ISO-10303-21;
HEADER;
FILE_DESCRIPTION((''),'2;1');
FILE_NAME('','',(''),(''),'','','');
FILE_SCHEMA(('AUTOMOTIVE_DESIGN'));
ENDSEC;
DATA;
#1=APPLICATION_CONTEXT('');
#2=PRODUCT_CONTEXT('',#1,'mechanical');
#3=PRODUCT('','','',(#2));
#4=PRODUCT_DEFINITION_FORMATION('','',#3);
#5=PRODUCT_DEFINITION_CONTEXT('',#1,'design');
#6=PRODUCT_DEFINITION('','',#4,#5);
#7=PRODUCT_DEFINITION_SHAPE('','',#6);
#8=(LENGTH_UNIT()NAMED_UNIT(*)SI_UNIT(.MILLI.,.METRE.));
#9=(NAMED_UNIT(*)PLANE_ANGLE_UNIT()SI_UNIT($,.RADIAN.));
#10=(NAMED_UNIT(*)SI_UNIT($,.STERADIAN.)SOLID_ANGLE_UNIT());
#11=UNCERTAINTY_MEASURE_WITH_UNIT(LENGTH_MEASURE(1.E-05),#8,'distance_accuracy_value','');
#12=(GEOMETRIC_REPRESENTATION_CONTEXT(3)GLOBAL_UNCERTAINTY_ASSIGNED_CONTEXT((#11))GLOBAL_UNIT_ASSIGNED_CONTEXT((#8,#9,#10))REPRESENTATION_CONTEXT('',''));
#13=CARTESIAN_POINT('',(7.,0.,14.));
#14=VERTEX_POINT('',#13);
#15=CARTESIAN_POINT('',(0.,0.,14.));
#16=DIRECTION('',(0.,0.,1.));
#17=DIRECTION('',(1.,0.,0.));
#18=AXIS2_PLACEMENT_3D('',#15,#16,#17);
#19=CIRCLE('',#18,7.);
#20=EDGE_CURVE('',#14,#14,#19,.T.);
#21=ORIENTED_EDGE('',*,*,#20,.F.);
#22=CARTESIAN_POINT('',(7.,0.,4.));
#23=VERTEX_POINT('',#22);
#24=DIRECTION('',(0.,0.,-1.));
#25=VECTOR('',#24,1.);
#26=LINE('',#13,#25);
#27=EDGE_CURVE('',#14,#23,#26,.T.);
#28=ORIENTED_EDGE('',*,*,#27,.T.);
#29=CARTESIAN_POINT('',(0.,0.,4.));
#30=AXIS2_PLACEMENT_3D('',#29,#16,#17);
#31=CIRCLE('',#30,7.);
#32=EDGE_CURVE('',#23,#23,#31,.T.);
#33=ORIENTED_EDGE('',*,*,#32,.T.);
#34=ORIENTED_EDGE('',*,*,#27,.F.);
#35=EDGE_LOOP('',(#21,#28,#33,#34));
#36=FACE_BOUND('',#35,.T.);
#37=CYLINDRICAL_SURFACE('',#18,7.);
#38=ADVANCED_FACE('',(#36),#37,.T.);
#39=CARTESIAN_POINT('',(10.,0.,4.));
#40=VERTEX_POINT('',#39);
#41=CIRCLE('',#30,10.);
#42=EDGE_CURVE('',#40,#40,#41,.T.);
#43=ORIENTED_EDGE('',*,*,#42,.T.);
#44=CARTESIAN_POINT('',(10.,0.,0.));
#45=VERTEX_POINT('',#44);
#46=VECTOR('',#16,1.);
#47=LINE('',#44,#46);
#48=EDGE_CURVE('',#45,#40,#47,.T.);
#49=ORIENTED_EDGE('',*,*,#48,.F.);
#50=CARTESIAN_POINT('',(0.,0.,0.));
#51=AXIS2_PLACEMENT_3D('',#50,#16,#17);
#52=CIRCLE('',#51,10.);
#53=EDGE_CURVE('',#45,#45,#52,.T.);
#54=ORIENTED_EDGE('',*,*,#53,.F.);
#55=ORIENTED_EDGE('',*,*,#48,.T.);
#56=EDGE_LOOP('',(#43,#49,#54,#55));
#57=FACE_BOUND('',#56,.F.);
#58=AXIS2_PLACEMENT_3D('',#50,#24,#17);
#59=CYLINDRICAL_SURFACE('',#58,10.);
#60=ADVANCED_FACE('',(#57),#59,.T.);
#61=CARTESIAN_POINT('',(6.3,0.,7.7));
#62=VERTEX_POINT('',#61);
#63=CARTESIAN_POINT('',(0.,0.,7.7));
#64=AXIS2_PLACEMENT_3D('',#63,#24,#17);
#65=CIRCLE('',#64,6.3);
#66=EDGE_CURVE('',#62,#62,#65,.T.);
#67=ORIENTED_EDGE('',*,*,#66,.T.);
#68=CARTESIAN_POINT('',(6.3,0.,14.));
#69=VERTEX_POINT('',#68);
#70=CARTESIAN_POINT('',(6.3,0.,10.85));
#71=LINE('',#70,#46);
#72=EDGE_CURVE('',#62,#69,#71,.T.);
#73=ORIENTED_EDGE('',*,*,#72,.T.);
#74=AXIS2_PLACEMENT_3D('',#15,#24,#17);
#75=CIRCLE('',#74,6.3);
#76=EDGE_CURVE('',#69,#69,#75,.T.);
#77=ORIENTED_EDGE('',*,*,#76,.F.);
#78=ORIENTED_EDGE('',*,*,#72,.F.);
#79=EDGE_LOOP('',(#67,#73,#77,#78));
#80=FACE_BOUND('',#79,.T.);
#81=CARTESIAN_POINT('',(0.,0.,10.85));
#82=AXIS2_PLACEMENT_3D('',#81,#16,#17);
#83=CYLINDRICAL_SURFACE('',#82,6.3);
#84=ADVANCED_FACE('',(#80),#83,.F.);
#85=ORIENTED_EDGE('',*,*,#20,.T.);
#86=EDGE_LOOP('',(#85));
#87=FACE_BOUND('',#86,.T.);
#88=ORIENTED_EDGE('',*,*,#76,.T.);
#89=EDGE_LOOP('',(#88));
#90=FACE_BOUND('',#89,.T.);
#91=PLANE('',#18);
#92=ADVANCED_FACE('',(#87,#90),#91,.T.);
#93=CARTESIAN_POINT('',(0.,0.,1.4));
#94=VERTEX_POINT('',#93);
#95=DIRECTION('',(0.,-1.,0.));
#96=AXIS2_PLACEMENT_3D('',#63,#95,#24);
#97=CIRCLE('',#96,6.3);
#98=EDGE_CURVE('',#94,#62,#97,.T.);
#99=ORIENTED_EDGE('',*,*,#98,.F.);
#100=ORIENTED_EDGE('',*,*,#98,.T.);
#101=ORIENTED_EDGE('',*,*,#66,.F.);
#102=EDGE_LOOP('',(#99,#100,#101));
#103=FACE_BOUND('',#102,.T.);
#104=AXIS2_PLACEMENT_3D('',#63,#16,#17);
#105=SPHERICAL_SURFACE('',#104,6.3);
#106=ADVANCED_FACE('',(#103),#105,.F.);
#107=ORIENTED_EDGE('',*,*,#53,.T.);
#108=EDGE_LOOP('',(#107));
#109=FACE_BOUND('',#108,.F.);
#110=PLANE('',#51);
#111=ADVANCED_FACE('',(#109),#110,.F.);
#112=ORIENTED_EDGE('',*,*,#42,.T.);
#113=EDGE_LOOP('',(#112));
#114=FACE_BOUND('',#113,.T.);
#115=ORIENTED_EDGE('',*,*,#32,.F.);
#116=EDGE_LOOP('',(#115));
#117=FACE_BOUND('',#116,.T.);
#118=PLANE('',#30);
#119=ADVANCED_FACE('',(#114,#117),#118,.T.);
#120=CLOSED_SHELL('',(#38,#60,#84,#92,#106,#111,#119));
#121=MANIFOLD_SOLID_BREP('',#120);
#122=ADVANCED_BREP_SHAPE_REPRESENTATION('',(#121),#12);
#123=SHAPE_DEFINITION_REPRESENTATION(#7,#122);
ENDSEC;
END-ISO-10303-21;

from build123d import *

# Parameters (mm, degrees)
F0_R     = 10
F1_DEPTH = 14
F2_W     = 6.3
F2_H     = 6.3
F4_R     = 10
F4_R_2   = 7
F5_DEPTH = 10


with BuildPart() as f1:
    # F0 (on Top) → F1 (new body)
    with BuildSketch(Plane.XY):
        Circle(F0_R)
    extrude(amount=F1_DEPTH)

    # F2 (on Front) → F3 (revolve, cut)
    with BuildSketch(Plane.XZ):
        with Locations((3.15, 10.85)):
            Rectangle(F2_W, F2_H)
        with BuildLine():
            Line((6.3, 7.7), (0, 7.7))
            Line((0, 7.7), (0, 1.4))
            ThreePointArc((0, 1.4), (4.4547727215, 3.2452272785), (6.3, 7.7))
        make_face()
    revolve(axis=Axis((0, 0, 0), (0, 0, -1)), mode=Mode.SUBTRACT)

    # F4 (on face) → F5 (cut)
    with BuildSketch(Plane.XY.offset(14)):
        Circle(F4_R)
        Circle(F4_R_2, mode=Mode.SUBTRACT)
    extrude(amount=-F5_DEPTH, mode=Mode.SUBTRACT)


solid = f1.part
